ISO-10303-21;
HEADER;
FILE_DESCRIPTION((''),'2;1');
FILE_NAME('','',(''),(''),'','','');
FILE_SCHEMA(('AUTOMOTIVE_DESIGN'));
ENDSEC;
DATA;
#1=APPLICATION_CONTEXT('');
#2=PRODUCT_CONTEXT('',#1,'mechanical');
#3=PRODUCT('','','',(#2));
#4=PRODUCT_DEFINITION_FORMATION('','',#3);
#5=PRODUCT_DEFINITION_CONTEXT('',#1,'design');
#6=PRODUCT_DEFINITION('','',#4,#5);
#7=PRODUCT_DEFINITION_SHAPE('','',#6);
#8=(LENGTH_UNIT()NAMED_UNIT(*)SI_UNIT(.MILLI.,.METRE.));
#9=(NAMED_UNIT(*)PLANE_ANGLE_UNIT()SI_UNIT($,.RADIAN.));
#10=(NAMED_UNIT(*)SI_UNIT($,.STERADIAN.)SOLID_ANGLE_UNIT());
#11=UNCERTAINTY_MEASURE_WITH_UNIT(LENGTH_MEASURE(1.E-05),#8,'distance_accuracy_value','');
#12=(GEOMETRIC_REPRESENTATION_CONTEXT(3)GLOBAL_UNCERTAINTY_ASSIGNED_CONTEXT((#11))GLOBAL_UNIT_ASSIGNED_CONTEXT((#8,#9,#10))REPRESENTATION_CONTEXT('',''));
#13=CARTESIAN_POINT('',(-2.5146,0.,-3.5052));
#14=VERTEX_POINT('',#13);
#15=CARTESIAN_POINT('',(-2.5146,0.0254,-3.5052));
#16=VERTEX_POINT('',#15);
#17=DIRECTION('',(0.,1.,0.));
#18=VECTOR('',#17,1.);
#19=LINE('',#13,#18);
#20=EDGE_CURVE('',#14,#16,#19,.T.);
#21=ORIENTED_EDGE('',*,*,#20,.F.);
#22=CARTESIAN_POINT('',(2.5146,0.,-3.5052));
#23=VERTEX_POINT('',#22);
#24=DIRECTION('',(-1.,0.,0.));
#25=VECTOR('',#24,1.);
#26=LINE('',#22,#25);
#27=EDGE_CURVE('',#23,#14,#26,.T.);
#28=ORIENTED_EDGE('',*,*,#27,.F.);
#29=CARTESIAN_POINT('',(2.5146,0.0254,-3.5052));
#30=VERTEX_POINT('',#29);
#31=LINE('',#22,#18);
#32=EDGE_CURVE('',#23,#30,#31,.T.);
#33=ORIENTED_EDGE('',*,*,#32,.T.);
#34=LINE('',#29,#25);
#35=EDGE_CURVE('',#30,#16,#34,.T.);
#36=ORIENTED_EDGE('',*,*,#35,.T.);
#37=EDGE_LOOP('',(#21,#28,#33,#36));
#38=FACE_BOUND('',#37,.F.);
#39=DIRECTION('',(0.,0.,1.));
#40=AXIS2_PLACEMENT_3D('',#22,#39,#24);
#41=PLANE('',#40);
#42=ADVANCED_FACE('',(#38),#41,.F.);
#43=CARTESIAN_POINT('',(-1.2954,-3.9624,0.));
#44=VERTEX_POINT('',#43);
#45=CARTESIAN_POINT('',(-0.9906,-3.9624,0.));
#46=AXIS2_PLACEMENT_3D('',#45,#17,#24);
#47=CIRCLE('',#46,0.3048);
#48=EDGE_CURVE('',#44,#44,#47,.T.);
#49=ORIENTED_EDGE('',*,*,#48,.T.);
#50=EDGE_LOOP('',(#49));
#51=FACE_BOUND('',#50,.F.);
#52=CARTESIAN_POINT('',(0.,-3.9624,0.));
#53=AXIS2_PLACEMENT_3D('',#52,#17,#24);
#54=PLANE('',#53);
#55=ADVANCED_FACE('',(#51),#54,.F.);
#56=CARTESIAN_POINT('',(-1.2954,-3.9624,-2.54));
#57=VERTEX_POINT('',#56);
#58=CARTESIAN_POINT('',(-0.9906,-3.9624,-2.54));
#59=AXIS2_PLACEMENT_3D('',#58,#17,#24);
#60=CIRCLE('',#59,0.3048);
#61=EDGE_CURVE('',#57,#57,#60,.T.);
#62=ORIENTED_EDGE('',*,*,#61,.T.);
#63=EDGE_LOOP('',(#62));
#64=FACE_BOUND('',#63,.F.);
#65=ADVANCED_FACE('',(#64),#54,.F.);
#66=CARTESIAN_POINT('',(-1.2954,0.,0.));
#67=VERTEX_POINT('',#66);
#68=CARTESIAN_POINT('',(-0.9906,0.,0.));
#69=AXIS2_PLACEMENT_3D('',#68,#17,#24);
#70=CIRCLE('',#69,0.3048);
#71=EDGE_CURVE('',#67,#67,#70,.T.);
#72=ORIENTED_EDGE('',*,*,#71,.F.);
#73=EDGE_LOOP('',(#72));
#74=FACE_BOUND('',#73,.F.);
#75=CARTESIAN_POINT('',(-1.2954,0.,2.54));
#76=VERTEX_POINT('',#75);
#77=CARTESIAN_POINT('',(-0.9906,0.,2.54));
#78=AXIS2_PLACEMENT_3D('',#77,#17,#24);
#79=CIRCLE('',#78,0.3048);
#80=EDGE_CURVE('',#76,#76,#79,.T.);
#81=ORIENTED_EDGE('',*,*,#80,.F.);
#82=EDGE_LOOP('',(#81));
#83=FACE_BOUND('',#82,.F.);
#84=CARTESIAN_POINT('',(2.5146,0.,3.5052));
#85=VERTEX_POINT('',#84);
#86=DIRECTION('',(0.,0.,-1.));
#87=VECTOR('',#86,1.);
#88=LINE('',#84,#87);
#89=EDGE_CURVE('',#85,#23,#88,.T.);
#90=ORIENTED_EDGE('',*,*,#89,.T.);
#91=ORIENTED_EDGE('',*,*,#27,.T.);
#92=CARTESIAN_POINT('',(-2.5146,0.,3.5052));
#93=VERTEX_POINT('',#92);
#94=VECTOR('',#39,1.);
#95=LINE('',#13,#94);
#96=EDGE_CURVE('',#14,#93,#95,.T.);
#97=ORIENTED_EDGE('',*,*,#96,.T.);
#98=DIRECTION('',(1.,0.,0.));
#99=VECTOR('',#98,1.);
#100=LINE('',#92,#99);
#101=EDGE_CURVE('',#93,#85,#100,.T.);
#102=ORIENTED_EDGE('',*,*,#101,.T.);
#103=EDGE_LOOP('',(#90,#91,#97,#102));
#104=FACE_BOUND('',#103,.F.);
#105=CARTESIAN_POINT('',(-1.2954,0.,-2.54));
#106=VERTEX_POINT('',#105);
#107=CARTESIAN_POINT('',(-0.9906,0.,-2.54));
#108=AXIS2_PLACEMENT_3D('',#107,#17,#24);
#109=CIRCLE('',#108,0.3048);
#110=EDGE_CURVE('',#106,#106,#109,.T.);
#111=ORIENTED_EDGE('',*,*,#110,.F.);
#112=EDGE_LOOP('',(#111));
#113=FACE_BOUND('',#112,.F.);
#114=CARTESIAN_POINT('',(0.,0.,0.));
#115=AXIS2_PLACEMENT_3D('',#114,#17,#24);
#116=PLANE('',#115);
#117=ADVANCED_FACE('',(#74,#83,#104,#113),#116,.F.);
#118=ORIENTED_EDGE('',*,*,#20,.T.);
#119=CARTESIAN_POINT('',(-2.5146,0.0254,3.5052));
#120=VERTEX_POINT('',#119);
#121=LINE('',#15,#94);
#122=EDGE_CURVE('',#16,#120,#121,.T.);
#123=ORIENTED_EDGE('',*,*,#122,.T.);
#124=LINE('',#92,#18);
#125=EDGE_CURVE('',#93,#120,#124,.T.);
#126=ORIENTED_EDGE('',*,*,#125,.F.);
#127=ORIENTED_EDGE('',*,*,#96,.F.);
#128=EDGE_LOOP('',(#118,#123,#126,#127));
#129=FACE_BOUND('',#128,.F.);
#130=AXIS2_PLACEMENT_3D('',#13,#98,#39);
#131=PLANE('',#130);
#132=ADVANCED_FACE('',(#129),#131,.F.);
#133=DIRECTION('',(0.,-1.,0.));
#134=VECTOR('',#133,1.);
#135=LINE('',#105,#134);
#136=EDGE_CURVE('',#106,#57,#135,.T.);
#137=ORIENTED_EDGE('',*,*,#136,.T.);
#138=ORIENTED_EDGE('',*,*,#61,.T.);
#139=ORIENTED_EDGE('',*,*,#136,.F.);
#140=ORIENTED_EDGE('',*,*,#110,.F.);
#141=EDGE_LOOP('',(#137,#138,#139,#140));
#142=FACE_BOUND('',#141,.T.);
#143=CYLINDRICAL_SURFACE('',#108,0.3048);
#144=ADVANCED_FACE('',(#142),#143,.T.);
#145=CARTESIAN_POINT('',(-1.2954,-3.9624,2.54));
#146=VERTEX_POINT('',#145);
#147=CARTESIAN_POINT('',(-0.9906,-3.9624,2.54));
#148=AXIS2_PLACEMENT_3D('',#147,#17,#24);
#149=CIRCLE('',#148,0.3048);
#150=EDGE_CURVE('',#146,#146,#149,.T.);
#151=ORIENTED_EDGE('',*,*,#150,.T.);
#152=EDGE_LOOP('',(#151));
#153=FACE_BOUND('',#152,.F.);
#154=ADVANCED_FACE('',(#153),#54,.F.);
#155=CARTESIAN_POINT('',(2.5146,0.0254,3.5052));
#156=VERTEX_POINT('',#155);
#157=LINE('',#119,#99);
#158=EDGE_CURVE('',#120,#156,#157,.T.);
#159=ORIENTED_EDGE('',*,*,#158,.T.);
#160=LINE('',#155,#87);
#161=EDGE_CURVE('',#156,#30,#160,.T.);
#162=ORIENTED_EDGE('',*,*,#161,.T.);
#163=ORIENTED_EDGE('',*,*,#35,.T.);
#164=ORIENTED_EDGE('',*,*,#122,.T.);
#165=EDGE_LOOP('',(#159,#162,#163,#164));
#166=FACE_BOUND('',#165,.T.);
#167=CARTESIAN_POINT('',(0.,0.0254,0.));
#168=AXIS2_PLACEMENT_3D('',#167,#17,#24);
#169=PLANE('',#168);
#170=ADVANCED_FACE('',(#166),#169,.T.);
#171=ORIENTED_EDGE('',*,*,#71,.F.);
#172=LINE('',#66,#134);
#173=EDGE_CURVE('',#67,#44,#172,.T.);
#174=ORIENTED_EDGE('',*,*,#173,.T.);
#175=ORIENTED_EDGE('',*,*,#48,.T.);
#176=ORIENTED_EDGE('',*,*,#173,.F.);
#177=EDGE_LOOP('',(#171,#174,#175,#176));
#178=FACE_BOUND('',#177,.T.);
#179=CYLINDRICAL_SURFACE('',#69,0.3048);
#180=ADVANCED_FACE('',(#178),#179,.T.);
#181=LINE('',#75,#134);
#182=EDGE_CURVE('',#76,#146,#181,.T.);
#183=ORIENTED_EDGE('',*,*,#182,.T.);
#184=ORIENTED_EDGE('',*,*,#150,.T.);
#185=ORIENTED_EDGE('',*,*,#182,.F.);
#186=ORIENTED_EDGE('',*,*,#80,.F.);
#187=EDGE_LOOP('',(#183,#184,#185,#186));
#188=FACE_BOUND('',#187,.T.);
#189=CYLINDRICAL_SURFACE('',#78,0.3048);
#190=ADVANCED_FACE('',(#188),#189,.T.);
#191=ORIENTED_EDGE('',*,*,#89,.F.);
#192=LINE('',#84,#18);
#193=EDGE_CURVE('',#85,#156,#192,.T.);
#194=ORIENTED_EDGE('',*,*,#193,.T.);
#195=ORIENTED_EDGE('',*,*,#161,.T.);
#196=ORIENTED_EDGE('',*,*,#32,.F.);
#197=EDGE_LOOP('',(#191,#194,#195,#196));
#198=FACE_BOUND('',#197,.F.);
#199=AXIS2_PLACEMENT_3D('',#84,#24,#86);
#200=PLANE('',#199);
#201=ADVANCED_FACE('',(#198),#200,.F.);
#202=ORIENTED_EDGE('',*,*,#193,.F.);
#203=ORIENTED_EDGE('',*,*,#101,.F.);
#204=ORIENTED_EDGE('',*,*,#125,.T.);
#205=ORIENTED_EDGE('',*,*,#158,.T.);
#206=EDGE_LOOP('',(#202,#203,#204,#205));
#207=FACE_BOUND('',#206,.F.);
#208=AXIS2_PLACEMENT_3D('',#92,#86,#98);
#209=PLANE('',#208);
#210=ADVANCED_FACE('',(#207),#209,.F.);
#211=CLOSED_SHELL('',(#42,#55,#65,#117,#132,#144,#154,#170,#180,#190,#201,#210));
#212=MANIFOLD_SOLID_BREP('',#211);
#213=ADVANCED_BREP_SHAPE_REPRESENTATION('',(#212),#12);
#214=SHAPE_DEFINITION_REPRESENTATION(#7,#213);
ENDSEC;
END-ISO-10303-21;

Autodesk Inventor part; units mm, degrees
sketch "Sketch_1" plane through (0, 0, 0) normal (0, 1, 0) x (-1, 0, 0)
  line L0 (2.5146, 3.5052) -> (-2.5146, 3.5052)
  line L1 (-2.5146, 3.5052) -> (-2.5146, -3.5052)
  line L2 (-2.5146, -3.5052) -> (2.5146, -3.5052)
  line L3 (2.5146, -3.5052) -> (2.5146, 3.5052)
extrude "Extrusion1" add sketch "Sketch_1" along normal blind 0.0254
sketch "Sketch_2" plane through (0, 0, 0) normal (0, 1, 0) x (-1, 0, 0)
  circle A0 centre (0.9906, 0) radius 0.3048
extrude "Extrusion2" add sketch "Sketch_2" against normal blind 3.9624
sketch "Sketch_3" plane through (0, 0, 0) normal (0, 1, 0) x (-1, 0, 0)
  circle A0 centre (0.9906, -2.54) radius 0.3048
extrude "Extrusion3" add sketch "Sketch_3" against normal blind 3.9624
sketch "Sketch_4" plane through (0, 0, 0) normal (0, 1, 0) x (-1, 0, 0)
  circle A0 centre (0.9906, 2.54) radius 0.3048
extrude "Extrusion4" add sketch "Sketch_4" against normal blind 3.9624
ref_plane "right_vertical_trmnls_XY" through (0, 0, 0) normal (0, 0, -1) x (1, 0, 0)
ref_plane "right_vertical_trmnls_YZ" through (0, 0, 0) normal (1, 0, 0) x (0, -1, 0)
ref_plane "right_vertical_trmnls_ZX" through (0, 0, 0) normal (0, -1, 0) x (0, 0, -1)
ref_plane "stright_trmnls_XY" through (0, 0, 0) normal (0, -1, 0) x (1, 0, 0)
ref_plane "stright_trmnls_YZ" through (0, 0, 0) normal (1, 0, 0) x (0, 0, 1)
ref_plane "stright_trmnls_ZX" through (0, 0, 0) normal (0, 0, 1) x (0, -1, 0)
properties part number "B12APtrmnls"
